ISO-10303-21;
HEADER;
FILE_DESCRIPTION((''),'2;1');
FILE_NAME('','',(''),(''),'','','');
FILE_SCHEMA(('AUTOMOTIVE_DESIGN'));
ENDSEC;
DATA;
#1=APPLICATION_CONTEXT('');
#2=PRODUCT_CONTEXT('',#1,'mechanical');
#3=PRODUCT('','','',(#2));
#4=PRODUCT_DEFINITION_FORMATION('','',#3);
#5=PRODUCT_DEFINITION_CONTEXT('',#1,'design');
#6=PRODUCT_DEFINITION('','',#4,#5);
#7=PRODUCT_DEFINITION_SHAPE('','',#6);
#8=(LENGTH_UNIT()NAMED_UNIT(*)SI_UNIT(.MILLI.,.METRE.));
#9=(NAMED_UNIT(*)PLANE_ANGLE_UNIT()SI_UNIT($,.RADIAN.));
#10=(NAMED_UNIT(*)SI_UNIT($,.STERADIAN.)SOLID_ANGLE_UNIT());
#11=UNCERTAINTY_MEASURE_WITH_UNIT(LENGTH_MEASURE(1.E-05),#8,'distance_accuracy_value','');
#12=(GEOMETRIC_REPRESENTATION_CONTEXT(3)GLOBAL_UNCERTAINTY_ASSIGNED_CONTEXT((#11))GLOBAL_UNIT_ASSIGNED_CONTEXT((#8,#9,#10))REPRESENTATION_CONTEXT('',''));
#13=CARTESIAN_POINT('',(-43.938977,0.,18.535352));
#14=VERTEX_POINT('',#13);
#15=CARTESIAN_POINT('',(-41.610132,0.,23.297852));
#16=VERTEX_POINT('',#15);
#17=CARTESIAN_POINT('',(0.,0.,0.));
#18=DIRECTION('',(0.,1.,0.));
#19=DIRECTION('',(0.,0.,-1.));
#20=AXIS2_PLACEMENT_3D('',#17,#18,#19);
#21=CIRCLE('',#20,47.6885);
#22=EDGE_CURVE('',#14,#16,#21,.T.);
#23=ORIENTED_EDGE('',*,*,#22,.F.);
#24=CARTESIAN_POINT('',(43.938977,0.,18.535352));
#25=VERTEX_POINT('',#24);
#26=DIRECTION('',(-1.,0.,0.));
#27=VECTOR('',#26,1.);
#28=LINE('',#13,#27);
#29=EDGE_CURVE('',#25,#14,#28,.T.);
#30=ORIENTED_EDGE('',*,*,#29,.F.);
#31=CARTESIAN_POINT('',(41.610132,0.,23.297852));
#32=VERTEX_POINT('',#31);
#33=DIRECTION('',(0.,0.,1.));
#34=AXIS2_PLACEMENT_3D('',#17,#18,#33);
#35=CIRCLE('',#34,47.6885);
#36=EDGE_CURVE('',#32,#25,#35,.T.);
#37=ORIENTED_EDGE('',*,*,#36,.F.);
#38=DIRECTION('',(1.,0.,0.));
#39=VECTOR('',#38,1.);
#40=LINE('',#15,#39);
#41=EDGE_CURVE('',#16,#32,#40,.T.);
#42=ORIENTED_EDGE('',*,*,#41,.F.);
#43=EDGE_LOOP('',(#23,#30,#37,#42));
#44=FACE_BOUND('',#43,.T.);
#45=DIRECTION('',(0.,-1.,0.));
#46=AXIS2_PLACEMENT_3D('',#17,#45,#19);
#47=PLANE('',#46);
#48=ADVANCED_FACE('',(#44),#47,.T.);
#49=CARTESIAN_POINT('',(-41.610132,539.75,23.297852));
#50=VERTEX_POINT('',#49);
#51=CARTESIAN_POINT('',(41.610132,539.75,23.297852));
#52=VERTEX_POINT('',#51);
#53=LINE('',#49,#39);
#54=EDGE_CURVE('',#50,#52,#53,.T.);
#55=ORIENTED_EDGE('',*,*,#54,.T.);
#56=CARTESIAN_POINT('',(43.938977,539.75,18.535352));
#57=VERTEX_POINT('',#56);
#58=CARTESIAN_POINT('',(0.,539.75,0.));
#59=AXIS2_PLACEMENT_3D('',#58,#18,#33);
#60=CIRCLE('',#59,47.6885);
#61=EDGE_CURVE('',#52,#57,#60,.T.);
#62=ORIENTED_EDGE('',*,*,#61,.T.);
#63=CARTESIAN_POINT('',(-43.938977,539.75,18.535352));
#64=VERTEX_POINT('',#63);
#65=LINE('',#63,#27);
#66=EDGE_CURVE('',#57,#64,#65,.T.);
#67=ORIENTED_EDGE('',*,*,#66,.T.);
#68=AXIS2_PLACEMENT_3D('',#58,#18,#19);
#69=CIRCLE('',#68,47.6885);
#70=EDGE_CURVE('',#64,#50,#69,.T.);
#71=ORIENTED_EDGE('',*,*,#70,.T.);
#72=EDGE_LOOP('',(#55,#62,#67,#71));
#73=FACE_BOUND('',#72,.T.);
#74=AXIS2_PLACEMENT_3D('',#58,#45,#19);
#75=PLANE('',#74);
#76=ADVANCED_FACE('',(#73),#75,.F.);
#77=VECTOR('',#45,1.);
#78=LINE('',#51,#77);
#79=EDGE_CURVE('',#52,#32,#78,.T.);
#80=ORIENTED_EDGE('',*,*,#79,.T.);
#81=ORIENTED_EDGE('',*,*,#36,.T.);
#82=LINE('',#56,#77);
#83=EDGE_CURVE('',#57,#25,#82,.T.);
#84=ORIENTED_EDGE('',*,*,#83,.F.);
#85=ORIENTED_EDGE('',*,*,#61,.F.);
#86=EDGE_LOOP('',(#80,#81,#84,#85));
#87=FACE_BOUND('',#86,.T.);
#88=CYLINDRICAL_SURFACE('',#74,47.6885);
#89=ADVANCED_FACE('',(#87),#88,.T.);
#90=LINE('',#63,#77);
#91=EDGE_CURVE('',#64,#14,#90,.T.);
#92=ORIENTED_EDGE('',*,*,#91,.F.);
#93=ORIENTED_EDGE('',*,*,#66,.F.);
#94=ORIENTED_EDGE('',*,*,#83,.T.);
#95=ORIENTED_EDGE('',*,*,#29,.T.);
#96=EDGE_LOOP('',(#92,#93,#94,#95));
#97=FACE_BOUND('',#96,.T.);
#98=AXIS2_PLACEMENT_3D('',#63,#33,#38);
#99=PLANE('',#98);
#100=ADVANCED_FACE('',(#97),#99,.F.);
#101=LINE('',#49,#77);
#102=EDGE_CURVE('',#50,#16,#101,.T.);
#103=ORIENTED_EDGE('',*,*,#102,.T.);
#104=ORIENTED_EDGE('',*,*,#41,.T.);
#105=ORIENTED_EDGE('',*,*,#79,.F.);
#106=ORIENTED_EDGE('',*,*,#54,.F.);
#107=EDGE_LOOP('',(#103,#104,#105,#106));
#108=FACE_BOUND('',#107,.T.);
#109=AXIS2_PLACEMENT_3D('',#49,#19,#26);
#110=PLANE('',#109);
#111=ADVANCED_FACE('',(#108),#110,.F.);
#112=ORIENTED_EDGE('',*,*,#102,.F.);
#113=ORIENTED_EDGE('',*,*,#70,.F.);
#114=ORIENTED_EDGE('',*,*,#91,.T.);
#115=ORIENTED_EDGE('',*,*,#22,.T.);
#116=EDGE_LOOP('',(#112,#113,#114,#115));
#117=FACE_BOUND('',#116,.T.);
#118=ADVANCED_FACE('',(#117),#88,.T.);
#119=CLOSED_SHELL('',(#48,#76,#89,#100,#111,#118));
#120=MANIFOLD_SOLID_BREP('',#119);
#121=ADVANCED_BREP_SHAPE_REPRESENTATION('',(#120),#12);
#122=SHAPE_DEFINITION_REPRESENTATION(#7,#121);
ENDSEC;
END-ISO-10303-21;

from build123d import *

# Parameters (mm, degrees)
BOSS_EXTRUDE1_DEPTH = 539.75


with BuildPart() as part:
    # Sketch1 → Boss-Extrude1 (new body)
    with BuildSketch(Plane(origin=(0, 0, 0), x_dir=(1, 0, 0), z_dir=(0, 1, 0))):
        with BuildLine():
            Line((-41.610132225, -23.297852443), (41.610132225, -23.297852443))
            ThreePointArc((41.610132225, -23.297852443), (42.840785409, -20.948988945), (43.938977481, -18.535352443))
            Line((43.938977481, -18.535352443), (-43.938977481, -18.535352443))
            ThreePointArc((-43.938977481, -18.535352443), (-42.840785409, -20.948988945), (-41.610132225, -23.297852443))
        make_face()
    extrude(amount=BOSS_EXTRUDE1_DEPTH)


solid = part.part
